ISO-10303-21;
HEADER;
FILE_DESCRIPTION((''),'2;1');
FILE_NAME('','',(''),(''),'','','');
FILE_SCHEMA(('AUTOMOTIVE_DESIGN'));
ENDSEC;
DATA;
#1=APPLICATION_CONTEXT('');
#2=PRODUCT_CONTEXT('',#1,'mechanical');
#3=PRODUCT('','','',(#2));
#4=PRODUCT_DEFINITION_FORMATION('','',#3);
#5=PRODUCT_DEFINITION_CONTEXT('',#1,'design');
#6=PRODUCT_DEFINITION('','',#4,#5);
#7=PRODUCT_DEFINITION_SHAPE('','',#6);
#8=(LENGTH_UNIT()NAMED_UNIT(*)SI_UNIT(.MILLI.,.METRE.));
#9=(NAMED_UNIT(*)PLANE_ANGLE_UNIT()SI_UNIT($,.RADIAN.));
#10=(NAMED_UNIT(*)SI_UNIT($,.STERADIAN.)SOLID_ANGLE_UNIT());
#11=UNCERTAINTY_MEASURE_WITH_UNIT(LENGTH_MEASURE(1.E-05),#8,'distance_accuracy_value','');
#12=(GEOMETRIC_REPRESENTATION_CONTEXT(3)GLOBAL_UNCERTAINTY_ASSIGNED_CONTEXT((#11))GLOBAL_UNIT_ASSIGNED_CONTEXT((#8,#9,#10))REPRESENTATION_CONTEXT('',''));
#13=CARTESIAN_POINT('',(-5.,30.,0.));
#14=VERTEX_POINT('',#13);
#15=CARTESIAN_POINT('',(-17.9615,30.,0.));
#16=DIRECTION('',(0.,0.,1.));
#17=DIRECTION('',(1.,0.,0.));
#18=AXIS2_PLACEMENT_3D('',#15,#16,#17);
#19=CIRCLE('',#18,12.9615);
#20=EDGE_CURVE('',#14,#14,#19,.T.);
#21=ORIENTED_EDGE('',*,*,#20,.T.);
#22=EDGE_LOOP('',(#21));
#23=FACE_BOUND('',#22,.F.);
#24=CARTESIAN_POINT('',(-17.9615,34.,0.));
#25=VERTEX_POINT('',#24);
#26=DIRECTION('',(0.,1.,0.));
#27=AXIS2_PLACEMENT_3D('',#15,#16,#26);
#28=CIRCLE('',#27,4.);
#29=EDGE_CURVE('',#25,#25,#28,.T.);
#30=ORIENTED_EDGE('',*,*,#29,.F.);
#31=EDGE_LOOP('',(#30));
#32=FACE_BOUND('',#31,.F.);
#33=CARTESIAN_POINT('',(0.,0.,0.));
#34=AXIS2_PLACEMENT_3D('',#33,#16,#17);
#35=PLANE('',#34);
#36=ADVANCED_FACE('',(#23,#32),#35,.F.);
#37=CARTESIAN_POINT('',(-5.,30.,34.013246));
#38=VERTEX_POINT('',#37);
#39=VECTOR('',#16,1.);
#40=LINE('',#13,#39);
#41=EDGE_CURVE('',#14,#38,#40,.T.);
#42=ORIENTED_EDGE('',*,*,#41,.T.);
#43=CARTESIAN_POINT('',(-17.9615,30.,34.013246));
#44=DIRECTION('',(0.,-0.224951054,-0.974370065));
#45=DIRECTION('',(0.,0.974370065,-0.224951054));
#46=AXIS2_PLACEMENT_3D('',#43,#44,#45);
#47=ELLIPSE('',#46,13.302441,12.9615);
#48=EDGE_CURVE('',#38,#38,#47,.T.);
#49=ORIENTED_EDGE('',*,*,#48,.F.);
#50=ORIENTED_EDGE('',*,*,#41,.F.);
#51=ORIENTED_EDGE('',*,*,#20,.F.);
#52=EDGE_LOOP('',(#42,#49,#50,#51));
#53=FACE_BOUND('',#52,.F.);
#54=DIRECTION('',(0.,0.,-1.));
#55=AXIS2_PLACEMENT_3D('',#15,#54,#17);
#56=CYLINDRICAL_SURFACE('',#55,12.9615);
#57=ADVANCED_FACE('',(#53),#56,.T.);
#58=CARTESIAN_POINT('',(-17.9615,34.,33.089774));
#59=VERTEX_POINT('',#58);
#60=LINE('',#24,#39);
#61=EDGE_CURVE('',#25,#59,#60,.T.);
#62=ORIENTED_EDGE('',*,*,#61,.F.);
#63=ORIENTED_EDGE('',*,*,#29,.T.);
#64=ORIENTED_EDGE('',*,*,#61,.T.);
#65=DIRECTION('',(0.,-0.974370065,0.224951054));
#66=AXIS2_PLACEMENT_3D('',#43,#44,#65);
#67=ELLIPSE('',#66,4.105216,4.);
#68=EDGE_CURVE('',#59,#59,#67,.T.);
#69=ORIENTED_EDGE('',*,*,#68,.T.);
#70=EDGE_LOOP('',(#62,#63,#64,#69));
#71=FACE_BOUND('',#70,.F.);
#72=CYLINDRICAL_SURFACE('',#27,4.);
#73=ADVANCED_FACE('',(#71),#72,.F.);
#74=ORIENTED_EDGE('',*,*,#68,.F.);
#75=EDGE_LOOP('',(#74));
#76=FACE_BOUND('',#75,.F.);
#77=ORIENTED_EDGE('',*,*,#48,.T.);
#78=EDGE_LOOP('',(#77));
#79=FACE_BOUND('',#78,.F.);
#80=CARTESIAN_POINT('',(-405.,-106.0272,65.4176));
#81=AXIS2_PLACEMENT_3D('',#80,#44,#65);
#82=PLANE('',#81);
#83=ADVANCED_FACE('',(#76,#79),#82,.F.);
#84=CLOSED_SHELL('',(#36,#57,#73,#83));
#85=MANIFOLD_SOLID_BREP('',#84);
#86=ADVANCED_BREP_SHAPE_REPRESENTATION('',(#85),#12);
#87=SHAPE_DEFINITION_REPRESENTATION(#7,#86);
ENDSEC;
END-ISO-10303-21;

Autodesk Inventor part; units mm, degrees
ref_plane "YZ Plane" through (0, 0, 0) normal (1, 0, 0) x (0, 1, 0)
ref_plane "XZ Plane" through (0, 0, 0) normal (0, 1, 0) x (-1, 0, 0)
ref_plane "Work Plane1" through (0, 0, 0) normal (0, 0, 1) x (1, 0, 0)
sketch "Sketch1" plane through (0, 0, 0) normal (0, 0, 1) x (1, 0, 0)
  circle A0 centre (-17.9615, 30) radius 10 projected
  circle A1 centre (-17.9615, 30) radius 10 projected
  line L0 (-25.9615, 43.8564) -> (-5, 55.9585) projected
  arc A2 (-25.9615, 43.8564) -> (-25.9615, 16.1436) centre (-17.9615, 30) ccw projected
  line L1 (-5, 4.0415) -> (-25.9615, 16.1436) projected
  line L2 (-5, 55.9585) -> (-5, 4.0415) projected
  circle A3 centre (-392.0385, 30) radius 10 projected
  line L3 (-384.0385, 43.8564) -> (-405, 55.9585) projected
  line L4 (-405, 55.9585) -> (-405, 4.0415) projected
  line L5 (-405, 4.0415) -> (-384.0385, 16.1436) projected
  arc A4 (-384.0385, 16.1436) -> (-384.0385, 43.8564) centre (-392.0385, 30) ccw projected
  circle A5 centre (-17.9615, 30) radius 12.9615
  point P0 (0, 0)
ref_plane "Work Plane2" through (-405, -106.0272, 65.4176) normal (0, -0.225, -0.9744) x (0, 0.9744, -0.225)
extrude "Extrusion1" add sketch "Sketch1" along normal up to surface contours A0 | A5 surface through (-405, -106.0272, 65.4176) normal (0, -0.225, -0.9744)
sketch "Sketch2" plane through (-17.9615, 30, 0) normal (0, 0, -1) x (-1, 0, 0)
  circle A0 centre (0, 0) radius 12.9615 projected
  point P0 (-17.9615, -30)
hole "Hole1" at (-17.9615, 30, 0) direction (0, 0, 1) diameter 8 depth 45.1 tip angle 90
properties part number "spacer electronica" material "ABS Plastic"
